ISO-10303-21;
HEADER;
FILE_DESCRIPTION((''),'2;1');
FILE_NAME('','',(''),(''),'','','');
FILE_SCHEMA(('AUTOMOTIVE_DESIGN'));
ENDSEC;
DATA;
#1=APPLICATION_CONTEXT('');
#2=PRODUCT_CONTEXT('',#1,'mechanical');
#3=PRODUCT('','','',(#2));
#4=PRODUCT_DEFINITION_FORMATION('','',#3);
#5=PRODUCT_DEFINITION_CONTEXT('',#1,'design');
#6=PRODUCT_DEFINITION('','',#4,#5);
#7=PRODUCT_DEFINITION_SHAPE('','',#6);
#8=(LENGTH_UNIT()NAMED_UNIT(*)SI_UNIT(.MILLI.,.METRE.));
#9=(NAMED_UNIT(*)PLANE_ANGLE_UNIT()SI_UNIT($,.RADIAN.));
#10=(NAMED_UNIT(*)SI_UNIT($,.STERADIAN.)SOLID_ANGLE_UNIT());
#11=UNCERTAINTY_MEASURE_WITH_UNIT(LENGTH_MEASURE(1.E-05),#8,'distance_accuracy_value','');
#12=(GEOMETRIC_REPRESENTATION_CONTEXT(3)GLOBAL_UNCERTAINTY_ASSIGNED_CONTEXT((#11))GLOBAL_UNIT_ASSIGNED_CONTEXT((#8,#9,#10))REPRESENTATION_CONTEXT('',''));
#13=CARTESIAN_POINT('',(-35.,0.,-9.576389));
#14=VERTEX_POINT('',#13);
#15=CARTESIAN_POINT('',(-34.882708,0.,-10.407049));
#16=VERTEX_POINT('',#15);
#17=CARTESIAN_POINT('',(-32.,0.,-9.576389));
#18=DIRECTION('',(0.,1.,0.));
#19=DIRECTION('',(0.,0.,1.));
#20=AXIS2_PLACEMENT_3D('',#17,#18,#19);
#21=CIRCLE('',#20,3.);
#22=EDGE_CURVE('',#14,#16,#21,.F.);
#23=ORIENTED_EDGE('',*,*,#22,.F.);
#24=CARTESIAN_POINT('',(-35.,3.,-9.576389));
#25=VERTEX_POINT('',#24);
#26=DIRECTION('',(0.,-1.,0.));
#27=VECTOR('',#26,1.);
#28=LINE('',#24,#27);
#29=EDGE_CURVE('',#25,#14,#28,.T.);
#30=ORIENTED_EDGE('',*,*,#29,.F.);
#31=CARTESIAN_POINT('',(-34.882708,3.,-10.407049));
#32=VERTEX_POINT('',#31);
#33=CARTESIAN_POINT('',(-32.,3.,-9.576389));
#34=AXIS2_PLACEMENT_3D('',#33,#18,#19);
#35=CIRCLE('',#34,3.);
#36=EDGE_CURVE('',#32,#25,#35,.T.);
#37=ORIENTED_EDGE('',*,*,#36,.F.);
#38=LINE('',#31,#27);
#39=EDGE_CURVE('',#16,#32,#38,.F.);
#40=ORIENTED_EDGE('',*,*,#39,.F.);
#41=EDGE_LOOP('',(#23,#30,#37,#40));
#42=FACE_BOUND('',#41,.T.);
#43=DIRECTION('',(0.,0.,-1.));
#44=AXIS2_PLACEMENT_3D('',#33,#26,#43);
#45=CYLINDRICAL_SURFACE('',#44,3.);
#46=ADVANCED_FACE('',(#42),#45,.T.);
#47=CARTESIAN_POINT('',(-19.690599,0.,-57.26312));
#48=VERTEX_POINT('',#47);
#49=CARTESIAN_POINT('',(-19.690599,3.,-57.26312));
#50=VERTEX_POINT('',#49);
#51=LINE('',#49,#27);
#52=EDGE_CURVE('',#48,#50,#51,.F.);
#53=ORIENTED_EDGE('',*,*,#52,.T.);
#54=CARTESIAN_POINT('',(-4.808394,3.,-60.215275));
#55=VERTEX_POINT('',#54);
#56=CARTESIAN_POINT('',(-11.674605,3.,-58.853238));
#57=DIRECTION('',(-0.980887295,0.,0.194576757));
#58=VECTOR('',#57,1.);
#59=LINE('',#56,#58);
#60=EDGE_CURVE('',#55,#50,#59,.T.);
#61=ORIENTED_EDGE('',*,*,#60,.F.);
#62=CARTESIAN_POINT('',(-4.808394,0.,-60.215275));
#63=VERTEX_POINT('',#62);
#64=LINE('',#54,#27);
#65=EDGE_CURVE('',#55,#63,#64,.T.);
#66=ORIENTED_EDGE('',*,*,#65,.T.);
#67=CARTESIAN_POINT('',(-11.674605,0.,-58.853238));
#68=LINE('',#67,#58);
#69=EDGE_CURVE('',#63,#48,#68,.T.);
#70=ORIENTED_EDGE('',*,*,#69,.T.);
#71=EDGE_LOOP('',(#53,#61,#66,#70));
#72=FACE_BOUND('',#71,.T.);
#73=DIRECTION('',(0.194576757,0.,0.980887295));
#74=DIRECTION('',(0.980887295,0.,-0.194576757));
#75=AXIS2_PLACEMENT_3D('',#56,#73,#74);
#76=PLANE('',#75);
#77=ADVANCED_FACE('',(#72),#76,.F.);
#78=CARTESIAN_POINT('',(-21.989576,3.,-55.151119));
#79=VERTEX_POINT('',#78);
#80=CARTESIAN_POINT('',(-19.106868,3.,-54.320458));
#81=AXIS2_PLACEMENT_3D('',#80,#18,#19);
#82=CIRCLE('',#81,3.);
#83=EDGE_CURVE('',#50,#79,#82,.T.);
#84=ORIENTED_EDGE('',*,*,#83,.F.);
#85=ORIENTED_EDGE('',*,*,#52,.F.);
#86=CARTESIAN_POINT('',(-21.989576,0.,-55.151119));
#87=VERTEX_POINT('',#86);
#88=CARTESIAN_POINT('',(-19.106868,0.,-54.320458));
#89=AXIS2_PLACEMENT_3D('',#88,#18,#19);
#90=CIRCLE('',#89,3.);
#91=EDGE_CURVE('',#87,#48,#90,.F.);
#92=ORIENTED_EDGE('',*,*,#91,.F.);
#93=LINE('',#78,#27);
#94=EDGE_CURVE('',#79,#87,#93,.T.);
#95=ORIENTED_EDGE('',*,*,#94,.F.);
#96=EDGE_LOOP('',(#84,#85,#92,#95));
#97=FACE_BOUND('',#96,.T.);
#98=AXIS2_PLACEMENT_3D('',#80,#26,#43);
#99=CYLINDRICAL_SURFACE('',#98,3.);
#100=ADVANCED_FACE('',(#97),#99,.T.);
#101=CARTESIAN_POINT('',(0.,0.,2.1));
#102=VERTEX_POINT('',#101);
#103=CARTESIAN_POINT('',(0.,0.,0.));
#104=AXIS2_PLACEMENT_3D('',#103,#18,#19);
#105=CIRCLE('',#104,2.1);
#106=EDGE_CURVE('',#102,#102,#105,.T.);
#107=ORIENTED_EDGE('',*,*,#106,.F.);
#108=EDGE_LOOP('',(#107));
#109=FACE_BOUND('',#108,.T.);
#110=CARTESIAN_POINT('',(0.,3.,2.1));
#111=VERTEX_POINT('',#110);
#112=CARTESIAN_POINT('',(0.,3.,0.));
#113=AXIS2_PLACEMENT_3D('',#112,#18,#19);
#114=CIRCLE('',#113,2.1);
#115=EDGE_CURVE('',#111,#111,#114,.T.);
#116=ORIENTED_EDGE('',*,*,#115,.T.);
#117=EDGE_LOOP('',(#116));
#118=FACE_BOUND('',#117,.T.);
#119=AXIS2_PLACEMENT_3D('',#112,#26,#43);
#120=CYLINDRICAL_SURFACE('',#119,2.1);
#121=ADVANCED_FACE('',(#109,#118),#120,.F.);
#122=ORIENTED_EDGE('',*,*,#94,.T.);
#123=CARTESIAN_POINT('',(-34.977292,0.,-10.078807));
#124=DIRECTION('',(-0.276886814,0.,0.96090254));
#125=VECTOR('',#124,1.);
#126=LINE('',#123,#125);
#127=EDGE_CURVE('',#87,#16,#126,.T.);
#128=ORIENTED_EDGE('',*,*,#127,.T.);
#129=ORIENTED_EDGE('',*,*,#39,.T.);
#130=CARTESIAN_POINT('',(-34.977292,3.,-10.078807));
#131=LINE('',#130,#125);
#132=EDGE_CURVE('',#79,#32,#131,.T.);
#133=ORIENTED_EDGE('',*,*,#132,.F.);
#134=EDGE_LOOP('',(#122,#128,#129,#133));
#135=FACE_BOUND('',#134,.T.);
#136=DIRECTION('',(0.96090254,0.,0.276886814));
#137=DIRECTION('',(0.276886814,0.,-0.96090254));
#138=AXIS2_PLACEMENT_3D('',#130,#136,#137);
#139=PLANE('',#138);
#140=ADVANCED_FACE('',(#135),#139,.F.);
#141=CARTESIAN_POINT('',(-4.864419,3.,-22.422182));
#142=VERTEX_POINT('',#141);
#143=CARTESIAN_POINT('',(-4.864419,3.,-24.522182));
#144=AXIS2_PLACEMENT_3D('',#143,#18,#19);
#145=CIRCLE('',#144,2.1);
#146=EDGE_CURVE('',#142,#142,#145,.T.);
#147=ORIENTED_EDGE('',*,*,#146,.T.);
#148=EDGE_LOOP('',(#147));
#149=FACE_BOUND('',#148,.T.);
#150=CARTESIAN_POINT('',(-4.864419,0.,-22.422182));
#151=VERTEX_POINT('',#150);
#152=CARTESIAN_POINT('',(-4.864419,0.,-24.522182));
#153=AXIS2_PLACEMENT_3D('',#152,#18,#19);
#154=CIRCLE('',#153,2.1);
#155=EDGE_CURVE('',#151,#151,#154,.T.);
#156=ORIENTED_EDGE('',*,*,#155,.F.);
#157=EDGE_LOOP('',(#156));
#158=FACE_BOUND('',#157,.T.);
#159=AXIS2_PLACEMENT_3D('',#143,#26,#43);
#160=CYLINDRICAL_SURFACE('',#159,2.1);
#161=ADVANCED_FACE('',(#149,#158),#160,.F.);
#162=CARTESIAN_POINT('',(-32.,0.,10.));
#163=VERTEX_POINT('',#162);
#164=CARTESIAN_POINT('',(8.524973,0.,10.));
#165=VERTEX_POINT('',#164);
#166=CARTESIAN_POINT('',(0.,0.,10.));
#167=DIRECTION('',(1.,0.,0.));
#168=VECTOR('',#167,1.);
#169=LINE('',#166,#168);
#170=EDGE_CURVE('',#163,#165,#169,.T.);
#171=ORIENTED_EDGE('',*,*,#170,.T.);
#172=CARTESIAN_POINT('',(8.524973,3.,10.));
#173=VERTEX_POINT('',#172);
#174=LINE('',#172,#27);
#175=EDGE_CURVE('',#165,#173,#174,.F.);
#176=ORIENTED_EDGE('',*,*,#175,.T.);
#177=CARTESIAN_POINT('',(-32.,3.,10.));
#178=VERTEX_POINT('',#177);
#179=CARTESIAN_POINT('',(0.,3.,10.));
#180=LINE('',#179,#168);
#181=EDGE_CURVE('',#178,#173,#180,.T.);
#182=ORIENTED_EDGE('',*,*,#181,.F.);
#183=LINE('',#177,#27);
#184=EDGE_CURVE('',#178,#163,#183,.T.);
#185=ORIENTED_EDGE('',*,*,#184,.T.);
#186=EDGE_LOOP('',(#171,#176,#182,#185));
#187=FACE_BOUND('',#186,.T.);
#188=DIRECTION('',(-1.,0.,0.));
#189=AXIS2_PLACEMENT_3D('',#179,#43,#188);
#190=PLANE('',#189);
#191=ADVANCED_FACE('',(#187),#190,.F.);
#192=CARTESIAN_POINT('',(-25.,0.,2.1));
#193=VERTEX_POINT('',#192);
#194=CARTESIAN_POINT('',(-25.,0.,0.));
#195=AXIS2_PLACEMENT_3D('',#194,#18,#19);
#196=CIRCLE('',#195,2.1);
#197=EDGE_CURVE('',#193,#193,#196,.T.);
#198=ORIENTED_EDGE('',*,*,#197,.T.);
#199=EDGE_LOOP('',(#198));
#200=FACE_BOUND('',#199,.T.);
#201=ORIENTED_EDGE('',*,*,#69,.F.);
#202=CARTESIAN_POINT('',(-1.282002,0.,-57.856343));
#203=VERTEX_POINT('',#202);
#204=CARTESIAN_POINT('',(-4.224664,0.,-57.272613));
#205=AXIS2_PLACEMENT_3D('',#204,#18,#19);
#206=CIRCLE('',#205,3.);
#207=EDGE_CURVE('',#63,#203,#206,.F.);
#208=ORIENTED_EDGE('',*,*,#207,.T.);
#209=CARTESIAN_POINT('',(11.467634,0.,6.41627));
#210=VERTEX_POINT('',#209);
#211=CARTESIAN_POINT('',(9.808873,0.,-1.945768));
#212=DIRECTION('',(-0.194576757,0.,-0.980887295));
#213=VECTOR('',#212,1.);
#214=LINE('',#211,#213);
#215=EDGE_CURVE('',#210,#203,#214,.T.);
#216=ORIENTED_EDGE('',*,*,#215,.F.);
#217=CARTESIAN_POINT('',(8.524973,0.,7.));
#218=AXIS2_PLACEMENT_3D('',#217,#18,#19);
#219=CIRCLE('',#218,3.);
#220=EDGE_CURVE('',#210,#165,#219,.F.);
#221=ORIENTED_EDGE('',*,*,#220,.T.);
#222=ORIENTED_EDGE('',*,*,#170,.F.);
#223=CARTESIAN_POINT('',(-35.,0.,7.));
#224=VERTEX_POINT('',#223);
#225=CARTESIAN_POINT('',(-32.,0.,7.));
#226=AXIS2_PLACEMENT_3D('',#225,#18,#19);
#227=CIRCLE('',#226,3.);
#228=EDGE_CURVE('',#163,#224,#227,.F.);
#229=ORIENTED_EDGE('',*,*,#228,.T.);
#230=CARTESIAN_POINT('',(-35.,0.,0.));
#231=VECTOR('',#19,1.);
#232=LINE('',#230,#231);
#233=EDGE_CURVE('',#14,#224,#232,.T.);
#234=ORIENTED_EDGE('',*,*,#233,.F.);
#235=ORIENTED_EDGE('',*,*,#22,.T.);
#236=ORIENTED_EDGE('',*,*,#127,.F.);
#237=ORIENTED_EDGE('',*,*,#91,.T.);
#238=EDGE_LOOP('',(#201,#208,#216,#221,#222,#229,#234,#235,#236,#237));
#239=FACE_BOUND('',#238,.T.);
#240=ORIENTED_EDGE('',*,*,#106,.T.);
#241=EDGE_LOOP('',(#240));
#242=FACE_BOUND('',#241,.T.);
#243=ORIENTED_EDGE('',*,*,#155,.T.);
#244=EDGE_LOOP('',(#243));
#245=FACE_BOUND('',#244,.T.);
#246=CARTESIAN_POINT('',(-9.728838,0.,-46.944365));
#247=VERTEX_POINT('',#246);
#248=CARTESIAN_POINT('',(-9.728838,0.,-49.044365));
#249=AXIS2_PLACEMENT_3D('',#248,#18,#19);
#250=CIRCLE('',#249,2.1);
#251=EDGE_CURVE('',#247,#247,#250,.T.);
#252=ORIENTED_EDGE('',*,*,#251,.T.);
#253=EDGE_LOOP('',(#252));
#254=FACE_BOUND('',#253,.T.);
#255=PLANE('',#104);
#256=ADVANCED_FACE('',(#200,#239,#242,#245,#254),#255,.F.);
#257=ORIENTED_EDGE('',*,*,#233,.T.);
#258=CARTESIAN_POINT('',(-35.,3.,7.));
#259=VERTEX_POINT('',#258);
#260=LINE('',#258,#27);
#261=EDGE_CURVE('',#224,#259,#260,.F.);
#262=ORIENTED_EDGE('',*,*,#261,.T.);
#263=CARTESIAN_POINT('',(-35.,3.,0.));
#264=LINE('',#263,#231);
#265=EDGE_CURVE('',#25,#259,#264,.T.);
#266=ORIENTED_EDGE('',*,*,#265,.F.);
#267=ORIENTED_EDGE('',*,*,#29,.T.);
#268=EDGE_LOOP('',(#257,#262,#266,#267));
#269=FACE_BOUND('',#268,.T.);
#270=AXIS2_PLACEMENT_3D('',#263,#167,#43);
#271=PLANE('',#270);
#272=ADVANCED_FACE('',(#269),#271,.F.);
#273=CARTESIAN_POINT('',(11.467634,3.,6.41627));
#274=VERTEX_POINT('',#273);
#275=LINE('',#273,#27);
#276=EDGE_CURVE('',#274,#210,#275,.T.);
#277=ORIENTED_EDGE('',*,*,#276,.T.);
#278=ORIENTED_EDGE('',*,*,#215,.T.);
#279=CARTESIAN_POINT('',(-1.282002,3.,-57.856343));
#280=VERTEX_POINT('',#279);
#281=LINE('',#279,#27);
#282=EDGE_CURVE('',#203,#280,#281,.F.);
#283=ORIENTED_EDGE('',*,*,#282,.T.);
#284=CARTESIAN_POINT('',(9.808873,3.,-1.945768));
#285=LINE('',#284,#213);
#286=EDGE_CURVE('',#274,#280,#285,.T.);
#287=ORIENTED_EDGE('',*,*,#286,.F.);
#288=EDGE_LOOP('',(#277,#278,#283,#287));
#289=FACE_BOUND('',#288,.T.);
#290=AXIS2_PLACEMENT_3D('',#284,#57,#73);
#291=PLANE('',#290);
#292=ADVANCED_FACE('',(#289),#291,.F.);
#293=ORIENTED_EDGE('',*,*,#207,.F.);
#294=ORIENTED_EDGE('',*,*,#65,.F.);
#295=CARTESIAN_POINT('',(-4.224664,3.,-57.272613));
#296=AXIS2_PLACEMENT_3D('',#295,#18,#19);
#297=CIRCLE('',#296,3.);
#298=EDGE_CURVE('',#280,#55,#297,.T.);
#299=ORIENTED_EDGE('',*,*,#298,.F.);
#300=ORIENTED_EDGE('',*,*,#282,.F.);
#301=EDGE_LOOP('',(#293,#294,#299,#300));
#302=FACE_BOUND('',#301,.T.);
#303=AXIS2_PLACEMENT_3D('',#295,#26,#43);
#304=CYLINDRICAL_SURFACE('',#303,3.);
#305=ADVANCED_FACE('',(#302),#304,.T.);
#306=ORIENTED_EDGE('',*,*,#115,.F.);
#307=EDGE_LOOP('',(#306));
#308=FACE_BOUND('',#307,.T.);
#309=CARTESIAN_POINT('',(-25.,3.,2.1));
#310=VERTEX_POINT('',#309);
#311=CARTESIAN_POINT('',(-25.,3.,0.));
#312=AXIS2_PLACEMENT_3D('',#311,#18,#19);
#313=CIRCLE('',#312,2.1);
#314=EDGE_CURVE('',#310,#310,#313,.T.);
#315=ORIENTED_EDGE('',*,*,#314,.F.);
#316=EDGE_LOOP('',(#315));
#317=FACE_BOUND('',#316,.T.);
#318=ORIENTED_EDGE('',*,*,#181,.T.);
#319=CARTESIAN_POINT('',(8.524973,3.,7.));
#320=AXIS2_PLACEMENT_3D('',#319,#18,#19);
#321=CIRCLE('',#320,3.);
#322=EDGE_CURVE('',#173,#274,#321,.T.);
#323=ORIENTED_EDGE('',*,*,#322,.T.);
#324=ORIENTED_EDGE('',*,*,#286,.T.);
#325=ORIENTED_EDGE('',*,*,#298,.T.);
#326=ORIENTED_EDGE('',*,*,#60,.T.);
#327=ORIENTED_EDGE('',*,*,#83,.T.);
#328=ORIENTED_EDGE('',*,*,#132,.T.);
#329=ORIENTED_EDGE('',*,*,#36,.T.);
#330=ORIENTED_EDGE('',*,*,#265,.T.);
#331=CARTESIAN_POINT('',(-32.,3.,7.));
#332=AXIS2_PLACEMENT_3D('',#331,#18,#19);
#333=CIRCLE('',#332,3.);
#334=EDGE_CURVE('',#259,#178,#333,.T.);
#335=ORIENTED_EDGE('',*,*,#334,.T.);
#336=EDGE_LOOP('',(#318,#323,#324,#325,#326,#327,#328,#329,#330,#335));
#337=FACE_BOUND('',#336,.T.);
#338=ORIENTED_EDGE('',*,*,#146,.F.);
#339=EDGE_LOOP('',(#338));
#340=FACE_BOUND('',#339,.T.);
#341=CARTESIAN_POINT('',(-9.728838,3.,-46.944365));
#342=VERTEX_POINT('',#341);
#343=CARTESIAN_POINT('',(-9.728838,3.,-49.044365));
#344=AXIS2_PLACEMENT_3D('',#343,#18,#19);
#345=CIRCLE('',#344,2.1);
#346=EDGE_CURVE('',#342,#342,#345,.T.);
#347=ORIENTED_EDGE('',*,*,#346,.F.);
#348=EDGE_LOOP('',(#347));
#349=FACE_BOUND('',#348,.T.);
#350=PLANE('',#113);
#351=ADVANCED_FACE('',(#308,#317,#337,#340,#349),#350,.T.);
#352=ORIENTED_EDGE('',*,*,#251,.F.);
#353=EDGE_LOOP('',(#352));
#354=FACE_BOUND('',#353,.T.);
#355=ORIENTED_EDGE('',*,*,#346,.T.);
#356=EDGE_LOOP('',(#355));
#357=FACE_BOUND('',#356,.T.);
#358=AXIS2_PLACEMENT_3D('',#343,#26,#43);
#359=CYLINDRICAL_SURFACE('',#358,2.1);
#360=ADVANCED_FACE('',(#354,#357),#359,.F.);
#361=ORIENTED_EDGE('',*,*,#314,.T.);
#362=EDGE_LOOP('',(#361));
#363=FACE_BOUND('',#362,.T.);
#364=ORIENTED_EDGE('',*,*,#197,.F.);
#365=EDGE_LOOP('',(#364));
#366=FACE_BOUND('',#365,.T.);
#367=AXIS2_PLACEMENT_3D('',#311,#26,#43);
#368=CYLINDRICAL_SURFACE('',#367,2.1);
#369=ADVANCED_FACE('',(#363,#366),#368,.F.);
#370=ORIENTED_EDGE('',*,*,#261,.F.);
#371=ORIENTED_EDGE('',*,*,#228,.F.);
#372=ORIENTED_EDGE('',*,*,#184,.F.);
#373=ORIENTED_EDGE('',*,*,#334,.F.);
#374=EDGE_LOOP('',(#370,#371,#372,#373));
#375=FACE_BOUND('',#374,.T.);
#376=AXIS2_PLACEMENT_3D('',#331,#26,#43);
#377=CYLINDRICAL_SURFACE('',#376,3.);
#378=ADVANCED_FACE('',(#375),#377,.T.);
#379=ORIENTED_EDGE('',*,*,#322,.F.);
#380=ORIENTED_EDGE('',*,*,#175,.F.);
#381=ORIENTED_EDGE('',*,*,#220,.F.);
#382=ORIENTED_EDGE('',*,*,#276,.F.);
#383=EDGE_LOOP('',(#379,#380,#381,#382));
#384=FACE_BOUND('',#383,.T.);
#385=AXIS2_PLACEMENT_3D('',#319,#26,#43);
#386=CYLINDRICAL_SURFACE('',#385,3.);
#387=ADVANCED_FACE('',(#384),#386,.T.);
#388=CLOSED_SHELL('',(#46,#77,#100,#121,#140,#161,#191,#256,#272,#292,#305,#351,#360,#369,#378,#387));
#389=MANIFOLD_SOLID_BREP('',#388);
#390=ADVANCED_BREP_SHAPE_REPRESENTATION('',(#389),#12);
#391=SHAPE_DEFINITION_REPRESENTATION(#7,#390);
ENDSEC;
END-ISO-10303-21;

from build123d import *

# Parameters (mm, degrees)
SKETCH_1_R      = 2.1
EXTRUDE_1_DEPTH = 3
FILLET_1_R      = 3


with BuildPart() as part:
    # 草图1 → 凸台-拉伸1 (new body)
    # profile 1 of 3: a face of its own
    with BuildSketch(Plane(origin=(0, 0, 0), x_dir=(1, 0, 0), z_dir=(0, 1, 0))):
        Polygon((-12.178532268, 10), (8.211170098, 10), (-1.865732489, 60.799005274), (-21.48347839, 56.907470127), align=None)
        with Locations(Location((-4.864418933, 24.522182375, 0), (0, 0, 270))):
            Circle(SKETCH_1_R, mode=Mode.SUBTRACT)
        with Locations(Location((-9.728837866, 49.04436475, 0), (0, 0, 270))):
            Circle(SKETCH_1_R, mode=Mode.SUBTRACT)
    # profile 2 of 3: a face of its own
    with BuildSketch(Plane(origin=(0, 0, 0), x_dir=(1, 0, 0), z_dir=(0, 1, 0))):
        Polygon((12.178532268, -10), (8.211170098, 10), (-12.178532268, 10), (-35, 10), (-35, -10), align=None)
        with Locations(Location((-25, 0, 0), (0, 0, 270))):
            Circle(SKETCH_1_R, mode=Mode.SUBTRACT)
        with Locations(Location((0, 0, 0), (0, 0, 270))):
            Circle(SKETCH_1_R, mode=Mode.SUBTRACT)
    # profile 3 of 3: a face of its own
    with BuildSketch(Plane(origin=(0, 0, 0), x_dir=(1, 0, 0), z_dir=(0, 1, 0))):
        Polygon((-35, 10), (-12.178532268, 10), (-21.48347839, 56.907470127), align=None)
    extrude(amount=EXTRUDE_1_DEPTH)

    # 圆角1
    fillet_1_edges = [part.edges().sort_by_distance(p)[0] for p in [
        (12.178532268, 1.5, 10),
        (-35, 1.5, 10),
        (-35, 1.5, -10),
        (-21.48347839, 1.5, -56.907470127),
        (-1.865732489, 1.5, -60.799005274),
    ]]
    fillet(fillet_1_edges, radius=FILLET_1_R)


solid = part.part
